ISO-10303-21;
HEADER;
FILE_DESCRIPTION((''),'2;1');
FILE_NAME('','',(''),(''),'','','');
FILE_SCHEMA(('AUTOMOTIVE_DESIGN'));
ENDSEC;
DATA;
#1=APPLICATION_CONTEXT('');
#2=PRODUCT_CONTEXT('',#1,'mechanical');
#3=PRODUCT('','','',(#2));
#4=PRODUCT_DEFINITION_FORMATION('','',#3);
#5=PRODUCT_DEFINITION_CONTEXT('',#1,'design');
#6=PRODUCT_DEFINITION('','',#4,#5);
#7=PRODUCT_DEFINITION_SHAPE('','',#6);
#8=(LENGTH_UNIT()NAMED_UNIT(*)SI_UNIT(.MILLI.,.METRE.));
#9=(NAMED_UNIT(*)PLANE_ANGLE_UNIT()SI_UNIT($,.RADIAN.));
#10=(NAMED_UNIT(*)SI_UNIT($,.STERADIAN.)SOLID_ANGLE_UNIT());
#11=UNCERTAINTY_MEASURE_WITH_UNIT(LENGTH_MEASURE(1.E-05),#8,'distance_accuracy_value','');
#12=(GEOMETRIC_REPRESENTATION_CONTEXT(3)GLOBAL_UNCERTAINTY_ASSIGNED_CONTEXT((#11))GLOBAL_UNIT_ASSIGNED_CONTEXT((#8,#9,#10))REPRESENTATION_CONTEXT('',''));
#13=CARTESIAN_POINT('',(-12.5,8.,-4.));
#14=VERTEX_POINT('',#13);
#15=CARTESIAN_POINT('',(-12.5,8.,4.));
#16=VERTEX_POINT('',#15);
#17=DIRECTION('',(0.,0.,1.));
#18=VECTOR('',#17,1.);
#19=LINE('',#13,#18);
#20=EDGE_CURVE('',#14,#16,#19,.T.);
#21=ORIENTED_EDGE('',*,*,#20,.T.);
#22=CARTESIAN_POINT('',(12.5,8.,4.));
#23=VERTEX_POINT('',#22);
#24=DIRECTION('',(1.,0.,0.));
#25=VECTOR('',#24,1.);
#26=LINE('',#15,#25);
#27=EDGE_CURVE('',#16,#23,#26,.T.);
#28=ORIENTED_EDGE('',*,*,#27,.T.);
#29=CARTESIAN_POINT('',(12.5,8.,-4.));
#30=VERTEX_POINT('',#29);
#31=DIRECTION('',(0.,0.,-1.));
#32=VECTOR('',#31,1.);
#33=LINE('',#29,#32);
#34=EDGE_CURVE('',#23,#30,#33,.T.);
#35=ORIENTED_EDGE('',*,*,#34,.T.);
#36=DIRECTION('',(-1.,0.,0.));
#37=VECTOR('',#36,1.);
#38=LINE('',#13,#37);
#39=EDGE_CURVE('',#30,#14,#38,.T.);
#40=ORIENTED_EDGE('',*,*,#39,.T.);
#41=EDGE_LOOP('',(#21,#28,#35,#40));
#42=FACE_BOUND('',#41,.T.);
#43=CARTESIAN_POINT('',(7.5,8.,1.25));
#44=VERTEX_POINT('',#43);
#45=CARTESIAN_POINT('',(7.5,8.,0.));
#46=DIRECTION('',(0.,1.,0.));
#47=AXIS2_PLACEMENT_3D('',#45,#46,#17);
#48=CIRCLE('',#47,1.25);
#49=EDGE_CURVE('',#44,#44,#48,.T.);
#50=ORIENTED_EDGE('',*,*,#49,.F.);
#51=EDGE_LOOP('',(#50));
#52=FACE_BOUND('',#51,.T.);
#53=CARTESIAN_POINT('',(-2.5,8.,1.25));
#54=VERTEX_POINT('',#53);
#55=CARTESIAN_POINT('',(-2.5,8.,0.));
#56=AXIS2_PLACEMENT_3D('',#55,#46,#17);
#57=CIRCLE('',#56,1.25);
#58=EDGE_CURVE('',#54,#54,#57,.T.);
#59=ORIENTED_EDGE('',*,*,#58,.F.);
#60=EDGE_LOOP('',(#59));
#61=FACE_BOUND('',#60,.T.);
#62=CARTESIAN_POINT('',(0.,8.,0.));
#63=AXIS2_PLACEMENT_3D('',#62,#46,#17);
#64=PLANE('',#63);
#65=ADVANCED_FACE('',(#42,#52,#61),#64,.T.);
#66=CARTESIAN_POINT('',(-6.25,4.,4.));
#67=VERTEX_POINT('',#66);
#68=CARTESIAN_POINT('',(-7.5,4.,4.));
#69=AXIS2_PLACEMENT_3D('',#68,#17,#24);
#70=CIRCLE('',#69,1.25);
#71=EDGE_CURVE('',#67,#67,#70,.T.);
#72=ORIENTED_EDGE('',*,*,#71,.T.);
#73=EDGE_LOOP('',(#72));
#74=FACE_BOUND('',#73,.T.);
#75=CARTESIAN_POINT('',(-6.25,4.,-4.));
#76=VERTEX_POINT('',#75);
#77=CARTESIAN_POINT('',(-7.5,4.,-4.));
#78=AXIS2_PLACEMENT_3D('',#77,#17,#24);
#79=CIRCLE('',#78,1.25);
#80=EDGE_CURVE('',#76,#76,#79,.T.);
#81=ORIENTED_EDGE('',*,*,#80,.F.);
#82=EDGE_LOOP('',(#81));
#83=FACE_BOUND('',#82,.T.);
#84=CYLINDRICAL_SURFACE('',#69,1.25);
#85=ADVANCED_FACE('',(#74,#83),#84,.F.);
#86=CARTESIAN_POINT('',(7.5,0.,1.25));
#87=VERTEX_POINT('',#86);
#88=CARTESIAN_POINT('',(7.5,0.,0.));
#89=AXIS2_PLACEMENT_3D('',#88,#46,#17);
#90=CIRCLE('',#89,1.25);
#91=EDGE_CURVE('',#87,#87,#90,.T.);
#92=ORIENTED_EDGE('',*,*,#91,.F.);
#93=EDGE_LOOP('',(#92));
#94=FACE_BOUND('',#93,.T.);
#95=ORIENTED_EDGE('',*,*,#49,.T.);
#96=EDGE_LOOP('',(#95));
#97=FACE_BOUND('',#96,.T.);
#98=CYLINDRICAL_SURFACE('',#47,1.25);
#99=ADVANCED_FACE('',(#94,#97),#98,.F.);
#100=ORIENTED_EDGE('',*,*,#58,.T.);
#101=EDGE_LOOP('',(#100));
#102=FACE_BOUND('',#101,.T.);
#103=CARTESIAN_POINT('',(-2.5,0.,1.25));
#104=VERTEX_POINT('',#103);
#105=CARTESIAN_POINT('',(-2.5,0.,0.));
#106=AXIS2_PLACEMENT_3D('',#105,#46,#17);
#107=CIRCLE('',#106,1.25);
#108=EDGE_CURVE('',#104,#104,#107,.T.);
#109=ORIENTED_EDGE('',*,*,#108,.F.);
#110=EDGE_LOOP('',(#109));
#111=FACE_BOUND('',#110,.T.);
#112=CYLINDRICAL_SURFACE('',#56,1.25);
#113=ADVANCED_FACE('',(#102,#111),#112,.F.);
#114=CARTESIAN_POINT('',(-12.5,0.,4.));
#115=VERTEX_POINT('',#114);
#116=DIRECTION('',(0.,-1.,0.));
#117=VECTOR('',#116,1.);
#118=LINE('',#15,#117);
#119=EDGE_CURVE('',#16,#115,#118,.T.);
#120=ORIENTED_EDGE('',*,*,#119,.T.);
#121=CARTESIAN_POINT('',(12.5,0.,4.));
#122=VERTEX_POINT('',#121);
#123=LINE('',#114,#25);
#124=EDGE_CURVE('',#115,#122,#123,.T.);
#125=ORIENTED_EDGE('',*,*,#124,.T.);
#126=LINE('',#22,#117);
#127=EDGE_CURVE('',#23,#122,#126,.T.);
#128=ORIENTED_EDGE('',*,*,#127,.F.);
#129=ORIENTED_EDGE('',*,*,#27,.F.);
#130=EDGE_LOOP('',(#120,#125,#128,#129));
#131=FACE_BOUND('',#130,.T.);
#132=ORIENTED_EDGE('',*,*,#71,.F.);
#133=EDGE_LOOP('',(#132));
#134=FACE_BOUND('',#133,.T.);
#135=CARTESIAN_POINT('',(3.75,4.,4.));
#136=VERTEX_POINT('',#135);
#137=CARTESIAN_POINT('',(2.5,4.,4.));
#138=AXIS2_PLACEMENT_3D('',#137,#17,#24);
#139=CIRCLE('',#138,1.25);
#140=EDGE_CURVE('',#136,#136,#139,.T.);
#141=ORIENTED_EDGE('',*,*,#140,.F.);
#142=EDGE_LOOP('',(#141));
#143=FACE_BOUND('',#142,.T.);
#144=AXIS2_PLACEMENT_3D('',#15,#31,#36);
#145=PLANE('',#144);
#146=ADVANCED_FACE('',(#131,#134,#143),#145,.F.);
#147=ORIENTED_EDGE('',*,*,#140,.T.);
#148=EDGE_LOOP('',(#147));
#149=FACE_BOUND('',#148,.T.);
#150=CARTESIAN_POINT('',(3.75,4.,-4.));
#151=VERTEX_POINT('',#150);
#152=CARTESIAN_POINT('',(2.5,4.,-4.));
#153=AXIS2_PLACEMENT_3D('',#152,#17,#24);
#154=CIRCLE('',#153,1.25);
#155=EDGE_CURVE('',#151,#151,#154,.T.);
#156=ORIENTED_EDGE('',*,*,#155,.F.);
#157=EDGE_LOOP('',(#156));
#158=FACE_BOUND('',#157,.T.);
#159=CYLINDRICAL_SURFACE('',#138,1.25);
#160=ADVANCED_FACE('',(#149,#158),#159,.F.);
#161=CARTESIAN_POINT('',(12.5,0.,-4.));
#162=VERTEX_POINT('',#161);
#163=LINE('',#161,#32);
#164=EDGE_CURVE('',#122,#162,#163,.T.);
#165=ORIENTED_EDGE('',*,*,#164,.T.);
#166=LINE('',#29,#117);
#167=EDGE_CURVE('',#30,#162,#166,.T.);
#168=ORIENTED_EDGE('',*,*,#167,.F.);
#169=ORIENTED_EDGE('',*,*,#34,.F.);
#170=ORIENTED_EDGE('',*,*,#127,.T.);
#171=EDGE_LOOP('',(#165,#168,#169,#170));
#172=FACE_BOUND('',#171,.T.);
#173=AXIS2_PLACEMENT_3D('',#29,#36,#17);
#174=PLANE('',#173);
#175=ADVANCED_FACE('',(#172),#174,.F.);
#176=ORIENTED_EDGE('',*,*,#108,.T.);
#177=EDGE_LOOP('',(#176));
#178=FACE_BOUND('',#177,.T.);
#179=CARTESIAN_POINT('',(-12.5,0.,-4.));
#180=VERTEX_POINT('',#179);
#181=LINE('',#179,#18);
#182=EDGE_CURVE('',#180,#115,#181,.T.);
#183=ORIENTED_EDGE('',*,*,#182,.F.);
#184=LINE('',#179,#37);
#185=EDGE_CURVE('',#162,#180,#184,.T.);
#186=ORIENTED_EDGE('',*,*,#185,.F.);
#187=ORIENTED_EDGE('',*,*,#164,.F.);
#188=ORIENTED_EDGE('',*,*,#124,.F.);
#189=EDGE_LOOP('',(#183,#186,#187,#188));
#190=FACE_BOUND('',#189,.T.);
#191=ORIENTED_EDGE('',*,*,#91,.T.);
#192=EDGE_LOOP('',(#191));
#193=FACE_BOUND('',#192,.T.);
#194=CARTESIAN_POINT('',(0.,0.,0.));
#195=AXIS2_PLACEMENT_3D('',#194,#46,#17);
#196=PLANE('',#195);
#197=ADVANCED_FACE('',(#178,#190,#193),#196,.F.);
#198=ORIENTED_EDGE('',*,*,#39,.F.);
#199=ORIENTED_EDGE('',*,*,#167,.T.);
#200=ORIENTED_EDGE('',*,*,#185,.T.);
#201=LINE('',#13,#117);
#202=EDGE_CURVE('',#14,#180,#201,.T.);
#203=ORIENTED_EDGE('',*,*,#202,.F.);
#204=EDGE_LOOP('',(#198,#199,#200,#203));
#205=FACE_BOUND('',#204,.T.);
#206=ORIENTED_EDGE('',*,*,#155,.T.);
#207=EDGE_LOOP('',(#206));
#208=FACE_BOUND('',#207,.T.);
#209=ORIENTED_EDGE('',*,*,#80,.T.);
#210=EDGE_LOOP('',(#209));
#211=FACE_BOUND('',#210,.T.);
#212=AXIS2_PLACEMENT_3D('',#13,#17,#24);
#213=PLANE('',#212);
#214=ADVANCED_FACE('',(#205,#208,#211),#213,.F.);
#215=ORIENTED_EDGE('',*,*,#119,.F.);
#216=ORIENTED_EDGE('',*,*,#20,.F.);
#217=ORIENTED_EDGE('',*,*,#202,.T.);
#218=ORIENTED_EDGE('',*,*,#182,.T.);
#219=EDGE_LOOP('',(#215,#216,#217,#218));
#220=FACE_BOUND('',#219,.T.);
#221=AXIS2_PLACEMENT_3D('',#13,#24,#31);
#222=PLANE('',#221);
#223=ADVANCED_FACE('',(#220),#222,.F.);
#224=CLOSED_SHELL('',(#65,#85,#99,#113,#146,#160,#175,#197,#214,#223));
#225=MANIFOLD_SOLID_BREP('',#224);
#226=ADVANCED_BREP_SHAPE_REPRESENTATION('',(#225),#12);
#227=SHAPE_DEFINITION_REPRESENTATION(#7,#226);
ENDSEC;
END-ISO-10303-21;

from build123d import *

# Parameters (mm, degrees)
SKETCH_1_W         = 25
SKETCH_1_H         = 8
EXTRUDE_1_DEPTH    = 8
HOLE_WIZARD_M3_1_D = 2.5
HOLE_WIZARD_M3_2_D = 2.5


with BuildPart() as part:
    # 草图1 → 凸台-拉伸1 (new body)
    with BuildSketch(Plane(origin=(0, 0, 0), x_dir=(1, 0, 0), z_dir=(0, 1, 0))):
        Rectangle(SKETCH_1_W, SKETCH_1_H)
    extrude(amount=EXTRUDE_1_DEPTH)

    # M3 螺纹孔1 (through all)
    with Locations(Plane.XY.offset(4)):
        with Locations((2.5, 4), (-7.5, 4)):
            Hole(HOLE_WIZARD_M3_1_D / 2)

    # M3 螺纹孔2 (through all)
    with Locations(Plane(origin=(0, 8, 0), x_dir=(1, 0, 0), z_dir=(0, 1, 0))):
        with Locations((7.5, 0), (-2.5, 0)):
            Hole(HOLE_WIZARD_M3_2_D / 2)


solid = part.part
